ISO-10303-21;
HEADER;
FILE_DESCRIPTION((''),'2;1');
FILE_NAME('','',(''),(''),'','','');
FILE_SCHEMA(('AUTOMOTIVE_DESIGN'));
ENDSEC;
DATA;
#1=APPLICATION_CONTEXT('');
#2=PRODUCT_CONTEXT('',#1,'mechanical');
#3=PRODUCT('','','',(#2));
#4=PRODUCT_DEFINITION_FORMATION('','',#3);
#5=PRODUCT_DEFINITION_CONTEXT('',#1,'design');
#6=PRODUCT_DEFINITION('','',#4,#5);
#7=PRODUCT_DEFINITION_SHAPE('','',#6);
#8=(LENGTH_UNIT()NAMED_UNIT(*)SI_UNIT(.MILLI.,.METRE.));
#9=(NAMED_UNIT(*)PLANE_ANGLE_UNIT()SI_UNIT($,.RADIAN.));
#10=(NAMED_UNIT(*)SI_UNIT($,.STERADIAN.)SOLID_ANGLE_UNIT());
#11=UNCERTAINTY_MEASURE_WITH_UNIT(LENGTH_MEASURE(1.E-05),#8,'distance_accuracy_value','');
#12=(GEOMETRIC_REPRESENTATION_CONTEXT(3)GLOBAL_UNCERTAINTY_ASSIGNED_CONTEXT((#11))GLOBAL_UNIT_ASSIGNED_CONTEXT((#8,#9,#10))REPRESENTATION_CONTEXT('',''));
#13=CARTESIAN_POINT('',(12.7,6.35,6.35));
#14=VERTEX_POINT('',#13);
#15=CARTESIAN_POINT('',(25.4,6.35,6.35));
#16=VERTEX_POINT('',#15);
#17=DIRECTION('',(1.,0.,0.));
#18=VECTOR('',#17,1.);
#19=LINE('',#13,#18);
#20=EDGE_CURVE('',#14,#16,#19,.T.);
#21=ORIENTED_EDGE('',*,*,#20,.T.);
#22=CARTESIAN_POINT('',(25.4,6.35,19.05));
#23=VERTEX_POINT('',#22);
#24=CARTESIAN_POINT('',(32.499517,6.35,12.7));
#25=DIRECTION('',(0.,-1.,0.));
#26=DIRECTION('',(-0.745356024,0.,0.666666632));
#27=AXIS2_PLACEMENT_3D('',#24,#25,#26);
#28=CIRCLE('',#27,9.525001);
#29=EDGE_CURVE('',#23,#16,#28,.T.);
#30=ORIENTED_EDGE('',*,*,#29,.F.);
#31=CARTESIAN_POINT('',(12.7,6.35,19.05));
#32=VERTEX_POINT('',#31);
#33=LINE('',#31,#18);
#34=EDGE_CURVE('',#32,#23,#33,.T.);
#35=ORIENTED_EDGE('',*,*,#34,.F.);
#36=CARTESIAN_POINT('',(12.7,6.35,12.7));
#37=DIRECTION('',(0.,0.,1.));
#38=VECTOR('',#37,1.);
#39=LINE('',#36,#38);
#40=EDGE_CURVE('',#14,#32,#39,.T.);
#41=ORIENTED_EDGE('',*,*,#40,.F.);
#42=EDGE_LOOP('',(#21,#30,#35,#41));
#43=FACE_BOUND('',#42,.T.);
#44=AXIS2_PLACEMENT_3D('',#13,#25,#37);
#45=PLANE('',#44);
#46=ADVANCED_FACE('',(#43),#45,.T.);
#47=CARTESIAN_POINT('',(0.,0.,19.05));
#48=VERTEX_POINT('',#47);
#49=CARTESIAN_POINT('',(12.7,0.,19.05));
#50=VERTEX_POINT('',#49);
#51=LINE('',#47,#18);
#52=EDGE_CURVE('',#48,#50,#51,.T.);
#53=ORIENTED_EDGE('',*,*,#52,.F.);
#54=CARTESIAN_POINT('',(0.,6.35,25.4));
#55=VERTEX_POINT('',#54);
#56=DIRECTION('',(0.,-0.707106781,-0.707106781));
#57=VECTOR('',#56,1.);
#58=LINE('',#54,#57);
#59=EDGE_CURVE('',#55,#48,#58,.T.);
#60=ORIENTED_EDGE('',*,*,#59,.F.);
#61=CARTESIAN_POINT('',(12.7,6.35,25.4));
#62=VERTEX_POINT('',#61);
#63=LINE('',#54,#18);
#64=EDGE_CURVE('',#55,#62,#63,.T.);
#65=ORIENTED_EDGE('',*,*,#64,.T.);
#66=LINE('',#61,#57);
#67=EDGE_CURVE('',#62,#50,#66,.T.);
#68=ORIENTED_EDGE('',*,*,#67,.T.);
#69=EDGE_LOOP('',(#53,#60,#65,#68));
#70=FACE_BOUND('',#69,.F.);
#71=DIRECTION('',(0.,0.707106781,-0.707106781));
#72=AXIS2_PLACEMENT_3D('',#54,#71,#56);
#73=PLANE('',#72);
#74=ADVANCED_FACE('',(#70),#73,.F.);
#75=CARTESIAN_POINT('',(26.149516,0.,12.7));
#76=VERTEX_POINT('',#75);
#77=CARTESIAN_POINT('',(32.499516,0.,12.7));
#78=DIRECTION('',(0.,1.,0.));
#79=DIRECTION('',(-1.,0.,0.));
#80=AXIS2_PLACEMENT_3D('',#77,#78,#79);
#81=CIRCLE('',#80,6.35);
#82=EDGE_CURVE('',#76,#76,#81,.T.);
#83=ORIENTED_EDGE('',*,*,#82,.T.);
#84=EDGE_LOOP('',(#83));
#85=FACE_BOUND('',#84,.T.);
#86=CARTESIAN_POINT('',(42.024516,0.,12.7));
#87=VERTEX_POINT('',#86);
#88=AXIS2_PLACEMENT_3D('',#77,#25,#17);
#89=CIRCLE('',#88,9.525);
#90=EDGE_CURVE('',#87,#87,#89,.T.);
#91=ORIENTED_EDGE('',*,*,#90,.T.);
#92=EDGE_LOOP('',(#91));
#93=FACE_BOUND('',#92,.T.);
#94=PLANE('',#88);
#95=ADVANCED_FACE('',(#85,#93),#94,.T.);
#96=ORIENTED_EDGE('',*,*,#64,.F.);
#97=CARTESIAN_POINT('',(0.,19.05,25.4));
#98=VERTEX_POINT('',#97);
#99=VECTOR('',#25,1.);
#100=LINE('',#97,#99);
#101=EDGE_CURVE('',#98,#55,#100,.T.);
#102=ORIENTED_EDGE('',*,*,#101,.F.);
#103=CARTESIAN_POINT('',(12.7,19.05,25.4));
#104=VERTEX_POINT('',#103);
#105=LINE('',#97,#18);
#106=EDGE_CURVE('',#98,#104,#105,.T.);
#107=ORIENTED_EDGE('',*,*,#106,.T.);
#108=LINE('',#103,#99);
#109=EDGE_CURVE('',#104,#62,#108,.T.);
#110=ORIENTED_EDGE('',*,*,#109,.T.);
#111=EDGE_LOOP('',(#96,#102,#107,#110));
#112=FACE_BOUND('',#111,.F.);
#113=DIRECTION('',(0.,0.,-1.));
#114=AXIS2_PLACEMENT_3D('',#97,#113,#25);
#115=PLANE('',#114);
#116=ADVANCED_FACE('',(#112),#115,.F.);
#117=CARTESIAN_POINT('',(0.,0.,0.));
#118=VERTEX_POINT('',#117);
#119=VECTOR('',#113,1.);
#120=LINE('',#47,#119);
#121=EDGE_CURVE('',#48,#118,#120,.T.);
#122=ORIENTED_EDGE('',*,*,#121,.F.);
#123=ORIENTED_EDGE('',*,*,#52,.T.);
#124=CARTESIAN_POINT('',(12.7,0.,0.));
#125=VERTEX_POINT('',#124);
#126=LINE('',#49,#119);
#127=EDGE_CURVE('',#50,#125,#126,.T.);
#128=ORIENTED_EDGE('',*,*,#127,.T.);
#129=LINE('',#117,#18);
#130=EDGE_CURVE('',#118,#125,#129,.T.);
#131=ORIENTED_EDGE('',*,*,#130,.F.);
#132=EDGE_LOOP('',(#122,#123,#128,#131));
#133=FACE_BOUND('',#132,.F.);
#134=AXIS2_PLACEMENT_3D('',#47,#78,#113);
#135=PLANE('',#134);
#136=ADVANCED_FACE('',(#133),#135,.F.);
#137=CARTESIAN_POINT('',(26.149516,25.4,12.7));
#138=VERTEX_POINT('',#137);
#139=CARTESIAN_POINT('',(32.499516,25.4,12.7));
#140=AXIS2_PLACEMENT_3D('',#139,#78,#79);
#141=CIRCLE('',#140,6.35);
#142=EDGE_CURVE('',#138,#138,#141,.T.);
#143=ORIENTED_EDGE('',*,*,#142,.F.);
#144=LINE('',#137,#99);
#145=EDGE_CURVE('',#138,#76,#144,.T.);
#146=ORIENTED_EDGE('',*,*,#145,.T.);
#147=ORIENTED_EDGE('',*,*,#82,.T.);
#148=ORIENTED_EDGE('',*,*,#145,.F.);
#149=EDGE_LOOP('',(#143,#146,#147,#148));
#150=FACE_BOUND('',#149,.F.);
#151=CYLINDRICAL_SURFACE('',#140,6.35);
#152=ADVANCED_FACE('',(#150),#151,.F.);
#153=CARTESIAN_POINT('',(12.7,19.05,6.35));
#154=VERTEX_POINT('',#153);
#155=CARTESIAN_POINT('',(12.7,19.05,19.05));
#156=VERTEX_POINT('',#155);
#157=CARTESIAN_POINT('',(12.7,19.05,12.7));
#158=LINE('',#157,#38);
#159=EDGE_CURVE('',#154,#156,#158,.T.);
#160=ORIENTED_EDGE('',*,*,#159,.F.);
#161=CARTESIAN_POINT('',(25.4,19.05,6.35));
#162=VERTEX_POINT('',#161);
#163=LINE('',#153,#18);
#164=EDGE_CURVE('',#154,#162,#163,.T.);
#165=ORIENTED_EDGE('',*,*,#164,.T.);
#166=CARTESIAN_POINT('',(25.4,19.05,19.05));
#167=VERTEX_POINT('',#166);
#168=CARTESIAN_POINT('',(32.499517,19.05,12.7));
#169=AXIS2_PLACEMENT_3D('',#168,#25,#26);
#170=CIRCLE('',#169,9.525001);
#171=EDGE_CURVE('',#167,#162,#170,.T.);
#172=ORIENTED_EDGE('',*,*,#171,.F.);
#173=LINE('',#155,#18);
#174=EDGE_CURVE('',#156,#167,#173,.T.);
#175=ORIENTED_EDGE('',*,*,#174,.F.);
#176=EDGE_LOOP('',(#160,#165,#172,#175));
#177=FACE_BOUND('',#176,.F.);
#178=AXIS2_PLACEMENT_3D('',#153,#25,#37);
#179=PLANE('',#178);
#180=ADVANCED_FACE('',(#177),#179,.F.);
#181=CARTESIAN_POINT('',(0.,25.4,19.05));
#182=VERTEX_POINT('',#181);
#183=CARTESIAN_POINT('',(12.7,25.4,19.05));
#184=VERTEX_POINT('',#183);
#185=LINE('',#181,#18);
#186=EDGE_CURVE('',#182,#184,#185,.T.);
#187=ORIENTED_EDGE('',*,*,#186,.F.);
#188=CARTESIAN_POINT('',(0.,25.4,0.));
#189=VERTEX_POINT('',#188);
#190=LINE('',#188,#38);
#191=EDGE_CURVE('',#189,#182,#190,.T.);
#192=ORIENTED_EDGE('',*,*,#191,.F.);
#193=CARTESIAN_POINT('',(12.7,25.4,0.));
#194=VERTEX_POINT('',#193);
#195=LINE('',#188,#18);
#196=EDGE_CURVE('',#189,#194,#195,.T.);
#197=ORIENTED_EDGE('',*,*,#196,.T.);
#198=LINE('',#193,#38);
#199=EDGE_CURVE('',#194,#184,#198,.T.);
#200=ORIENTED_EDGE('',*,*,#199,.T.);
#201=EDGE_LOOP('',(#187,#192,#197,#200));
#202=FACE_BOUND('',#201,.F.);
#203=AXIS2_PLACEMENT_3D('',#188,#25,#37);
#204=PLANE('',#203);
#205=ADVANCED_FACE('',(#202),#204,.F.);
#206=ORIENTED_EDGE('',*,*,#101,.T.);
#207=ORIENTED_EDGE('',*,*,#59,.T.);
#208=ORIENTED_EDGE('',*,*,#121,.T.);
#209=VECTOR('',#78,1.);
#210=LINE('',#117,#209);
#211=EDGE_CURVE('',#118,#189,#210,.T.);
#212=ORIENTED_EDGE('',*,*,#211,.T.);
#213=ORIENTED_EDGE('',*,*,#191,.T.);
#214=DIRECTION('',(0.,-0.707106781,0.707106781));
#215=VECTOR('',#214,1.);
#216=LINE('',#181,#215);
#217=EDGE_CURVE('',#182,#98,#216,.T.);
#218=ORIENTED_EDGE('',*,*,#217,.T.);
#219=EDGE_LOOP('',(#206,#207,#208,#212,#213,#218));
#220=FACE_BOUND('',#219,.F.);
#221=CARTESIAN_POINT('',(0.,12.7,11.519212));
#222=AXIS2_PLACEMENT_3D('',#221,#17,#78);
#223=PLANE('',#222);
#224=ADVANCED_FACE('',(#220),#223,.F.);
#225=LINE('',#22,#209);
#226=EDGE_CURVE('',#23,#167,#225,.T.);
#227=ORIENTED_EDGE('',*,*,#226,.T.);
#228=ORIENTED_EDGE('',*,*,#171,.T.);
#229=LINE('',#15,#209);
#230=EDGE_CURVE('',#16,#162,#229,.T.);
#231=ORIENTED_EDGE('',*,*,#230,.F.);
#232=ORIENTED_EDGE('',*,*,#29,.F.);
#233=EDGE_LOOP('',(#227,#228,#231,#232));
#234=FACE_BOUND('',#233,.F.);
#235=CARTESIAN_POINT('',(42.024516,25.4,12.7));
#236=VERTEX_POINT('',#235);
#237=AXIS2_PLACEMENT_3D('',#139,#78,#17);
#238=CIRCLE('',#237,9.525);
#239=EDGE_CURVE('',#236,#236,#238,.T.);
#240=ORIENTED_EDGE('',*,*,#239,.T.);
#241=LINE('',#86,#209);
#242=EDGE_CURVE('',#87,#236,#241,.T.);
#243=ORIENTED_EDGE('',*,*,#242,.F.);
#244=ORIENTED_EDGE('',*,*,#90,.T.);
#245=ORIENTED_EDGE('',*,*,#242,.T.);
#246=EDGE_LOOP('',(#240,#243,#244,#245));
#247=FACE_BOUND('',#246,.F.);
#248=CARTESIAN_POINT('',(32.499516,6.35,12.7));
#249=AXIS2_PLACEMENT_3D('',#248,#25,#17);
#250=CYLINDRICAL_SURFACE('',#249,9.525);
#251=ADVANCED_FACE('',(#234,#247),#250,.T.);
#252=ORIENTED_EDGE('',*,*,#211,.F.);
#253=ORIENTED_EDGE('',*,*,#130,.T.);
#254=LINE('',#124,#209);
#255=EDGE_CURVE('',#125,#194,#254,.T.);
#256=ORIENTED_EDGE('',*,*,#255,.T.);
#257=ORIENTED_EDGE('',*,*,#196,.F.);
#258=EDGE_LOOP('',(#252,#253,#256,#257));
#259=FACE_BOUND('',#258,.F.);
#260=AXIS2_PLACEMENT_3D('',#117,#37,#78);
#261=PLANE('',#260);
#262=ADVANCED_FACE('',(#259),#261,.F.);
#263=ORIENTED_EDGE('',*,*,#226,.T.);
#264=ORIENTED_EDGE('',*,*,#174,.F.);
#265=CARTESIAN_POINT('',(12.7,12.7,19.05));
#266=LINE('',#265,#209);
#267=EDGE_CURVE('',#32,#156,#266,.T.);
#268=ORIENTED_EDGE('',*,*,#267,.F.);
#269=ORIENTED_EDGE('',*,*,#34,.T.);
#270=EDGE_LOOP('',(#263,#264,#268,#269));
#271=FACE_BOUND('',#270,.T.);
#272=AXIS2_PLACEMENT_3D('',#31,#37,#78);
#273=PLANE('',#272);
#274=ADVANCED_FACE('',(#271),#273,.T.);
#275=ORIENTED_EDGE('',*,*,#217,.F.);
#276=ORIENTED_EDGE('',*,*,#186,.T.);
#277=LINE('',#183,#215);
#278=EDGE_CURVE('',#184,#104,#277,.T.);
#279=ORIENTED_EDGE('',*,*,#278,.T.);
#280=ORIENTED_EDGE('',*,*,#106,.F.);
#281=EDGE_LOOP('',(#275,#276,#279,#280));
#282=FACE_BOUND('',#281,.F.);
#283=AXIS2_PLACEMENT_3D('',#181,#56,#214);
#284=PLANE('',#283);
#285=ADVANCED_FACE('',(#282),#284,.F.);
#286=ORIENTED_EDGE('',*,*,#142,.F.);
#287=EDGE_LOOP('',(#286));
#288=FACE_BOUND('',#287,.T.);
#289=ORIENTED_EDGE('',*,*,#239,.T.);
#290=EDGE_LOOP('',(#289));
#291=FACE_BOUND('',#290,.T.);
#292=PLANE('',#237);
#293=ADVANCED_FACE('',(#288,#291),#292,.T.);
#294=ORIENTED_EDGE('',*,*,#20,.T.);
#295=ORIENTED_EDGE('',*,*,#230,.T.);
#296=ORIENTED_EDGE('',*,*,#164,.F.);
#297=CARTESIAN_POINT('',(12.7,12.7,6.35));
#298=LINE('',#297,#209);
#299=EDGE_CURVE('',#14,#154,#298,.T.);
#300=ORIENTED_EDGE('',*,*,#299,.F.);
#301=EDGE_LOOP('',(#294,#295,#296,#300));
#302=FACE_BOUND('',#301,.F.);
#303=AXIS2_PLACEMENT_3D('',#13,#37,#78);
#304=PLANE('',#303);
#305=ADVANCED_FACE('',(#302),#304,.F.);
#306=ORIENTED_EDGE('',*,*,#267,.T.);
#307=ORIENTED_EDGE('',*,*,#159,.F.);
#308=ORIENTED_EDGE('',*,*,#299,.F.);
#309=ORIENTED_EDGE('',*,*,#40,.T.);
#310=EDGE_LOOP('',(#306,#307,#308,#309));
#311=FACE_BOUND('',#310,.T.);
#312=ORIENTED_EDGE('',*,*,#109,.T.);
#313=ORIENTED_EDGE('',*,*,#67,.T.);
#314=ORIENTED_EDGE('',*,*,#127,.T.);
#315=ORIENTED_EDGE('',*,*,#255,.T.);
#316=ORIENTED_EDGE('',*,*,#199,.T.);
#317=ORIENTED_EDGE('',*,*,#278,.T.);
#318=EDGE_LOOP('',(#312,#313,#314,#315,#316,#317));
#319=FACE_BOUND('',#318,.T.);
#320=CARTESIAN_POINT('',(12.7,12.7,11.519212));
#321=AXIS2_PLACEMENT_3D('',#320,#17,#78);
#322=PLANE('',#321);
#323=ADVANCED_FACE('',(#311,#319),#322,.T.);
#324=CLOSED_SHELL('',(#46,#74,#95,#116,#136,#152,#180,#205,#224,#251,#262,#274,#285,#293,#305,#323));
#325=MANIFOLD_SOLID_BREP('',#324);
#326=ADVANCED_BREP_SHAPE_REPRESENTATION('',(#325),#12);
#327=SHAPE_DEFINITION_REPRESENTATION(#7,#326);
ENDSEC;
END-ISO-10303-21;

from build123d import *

# Parameters (mm, degrees)
F1_DEPTH  = 12.7
F2_W      = 12.7
F2_H      = 12.7
F3_DEPTH  = 25.4
F5_DEPTH  = 12.7
F6_R      = 9.525
F7_DEPTH  = 6.35
F7_FACE_R = 9.525
F8_DEPTH  = 19.05
F9_R      = 6.35
F10_DEPTH = 25.4


with BuildPart() as f1:
    # F0 (on Right) → F1 (new body)
    with BuildSketch(Plane.YZ):
        Polygon((0, 19.05), (0, 0), (25.4, 0), (25.4, 19.05), (19.05, 25.4), (6.35, 25.4), align=None)
    extrude(amount=F1_DEPTH)

    # F2 (on face) → F3 (join)
    with BuildSketch(Plane.YZ.offset(12.7)):
        with Locations((12.7, 12.7)):
            Rectangle(F2_W, F2_H)
    extrude(amount=F3_DEPTH)

    # F4 (on face) → F5 (cut)
    with BuildSketch(Plane.XZ.offset(-6.35)):
        with BuildLine():
            Line((38.1, 6.35), (38.1, 19.05))
            Line((38.1, 19.05), (25.4, 19.05))
            ThreePointArc((25.4, 19.05), (22.974516, 12.7), (25.4, 6.35))
            Line((25.4, 6.35), (38.1, 6.35))
        make_face()
    extrude(amount=-F5_DEPTH, mode=Mode.SUBTRACT)



with BuildPart() as f7:
    # F6 (on face) → F7 (new body)
    with BuildSketch(Plane.XZ.offset(-6.35)):
        with Locations((32.499516, 12.7)):
            Circle(F6_R)
    extrude(amount=F7_DEPTH)


with BuildPart() as f1_1:
    add(f1.part)

    add(f7.part)  # F8 merges F7
    # F7_face (on face) → F8 (join)
    with BuildSketch(Plane(origin=(32.499516, 6.35, 12.7), x_dir=(1, 0, 0), z_dir=(0, 1, 0))):
        Circle(F7_FACE_R)
    extrude(amount=F8_DEPTH)

    # F9 (on face) → F10 (cut)
    with BuildSketch(Plane(origin=(0, 25.4, 0), x_dir=(-1, 0, 0), z_dir=(0, 1, 0))):
        with Locations((-32.499516, 12.7)):
            Circle(F9_R)
    extrude(amount=-F10_DEPTH, mode=Mode.SUBTRACT)


solid = f1_1.part
